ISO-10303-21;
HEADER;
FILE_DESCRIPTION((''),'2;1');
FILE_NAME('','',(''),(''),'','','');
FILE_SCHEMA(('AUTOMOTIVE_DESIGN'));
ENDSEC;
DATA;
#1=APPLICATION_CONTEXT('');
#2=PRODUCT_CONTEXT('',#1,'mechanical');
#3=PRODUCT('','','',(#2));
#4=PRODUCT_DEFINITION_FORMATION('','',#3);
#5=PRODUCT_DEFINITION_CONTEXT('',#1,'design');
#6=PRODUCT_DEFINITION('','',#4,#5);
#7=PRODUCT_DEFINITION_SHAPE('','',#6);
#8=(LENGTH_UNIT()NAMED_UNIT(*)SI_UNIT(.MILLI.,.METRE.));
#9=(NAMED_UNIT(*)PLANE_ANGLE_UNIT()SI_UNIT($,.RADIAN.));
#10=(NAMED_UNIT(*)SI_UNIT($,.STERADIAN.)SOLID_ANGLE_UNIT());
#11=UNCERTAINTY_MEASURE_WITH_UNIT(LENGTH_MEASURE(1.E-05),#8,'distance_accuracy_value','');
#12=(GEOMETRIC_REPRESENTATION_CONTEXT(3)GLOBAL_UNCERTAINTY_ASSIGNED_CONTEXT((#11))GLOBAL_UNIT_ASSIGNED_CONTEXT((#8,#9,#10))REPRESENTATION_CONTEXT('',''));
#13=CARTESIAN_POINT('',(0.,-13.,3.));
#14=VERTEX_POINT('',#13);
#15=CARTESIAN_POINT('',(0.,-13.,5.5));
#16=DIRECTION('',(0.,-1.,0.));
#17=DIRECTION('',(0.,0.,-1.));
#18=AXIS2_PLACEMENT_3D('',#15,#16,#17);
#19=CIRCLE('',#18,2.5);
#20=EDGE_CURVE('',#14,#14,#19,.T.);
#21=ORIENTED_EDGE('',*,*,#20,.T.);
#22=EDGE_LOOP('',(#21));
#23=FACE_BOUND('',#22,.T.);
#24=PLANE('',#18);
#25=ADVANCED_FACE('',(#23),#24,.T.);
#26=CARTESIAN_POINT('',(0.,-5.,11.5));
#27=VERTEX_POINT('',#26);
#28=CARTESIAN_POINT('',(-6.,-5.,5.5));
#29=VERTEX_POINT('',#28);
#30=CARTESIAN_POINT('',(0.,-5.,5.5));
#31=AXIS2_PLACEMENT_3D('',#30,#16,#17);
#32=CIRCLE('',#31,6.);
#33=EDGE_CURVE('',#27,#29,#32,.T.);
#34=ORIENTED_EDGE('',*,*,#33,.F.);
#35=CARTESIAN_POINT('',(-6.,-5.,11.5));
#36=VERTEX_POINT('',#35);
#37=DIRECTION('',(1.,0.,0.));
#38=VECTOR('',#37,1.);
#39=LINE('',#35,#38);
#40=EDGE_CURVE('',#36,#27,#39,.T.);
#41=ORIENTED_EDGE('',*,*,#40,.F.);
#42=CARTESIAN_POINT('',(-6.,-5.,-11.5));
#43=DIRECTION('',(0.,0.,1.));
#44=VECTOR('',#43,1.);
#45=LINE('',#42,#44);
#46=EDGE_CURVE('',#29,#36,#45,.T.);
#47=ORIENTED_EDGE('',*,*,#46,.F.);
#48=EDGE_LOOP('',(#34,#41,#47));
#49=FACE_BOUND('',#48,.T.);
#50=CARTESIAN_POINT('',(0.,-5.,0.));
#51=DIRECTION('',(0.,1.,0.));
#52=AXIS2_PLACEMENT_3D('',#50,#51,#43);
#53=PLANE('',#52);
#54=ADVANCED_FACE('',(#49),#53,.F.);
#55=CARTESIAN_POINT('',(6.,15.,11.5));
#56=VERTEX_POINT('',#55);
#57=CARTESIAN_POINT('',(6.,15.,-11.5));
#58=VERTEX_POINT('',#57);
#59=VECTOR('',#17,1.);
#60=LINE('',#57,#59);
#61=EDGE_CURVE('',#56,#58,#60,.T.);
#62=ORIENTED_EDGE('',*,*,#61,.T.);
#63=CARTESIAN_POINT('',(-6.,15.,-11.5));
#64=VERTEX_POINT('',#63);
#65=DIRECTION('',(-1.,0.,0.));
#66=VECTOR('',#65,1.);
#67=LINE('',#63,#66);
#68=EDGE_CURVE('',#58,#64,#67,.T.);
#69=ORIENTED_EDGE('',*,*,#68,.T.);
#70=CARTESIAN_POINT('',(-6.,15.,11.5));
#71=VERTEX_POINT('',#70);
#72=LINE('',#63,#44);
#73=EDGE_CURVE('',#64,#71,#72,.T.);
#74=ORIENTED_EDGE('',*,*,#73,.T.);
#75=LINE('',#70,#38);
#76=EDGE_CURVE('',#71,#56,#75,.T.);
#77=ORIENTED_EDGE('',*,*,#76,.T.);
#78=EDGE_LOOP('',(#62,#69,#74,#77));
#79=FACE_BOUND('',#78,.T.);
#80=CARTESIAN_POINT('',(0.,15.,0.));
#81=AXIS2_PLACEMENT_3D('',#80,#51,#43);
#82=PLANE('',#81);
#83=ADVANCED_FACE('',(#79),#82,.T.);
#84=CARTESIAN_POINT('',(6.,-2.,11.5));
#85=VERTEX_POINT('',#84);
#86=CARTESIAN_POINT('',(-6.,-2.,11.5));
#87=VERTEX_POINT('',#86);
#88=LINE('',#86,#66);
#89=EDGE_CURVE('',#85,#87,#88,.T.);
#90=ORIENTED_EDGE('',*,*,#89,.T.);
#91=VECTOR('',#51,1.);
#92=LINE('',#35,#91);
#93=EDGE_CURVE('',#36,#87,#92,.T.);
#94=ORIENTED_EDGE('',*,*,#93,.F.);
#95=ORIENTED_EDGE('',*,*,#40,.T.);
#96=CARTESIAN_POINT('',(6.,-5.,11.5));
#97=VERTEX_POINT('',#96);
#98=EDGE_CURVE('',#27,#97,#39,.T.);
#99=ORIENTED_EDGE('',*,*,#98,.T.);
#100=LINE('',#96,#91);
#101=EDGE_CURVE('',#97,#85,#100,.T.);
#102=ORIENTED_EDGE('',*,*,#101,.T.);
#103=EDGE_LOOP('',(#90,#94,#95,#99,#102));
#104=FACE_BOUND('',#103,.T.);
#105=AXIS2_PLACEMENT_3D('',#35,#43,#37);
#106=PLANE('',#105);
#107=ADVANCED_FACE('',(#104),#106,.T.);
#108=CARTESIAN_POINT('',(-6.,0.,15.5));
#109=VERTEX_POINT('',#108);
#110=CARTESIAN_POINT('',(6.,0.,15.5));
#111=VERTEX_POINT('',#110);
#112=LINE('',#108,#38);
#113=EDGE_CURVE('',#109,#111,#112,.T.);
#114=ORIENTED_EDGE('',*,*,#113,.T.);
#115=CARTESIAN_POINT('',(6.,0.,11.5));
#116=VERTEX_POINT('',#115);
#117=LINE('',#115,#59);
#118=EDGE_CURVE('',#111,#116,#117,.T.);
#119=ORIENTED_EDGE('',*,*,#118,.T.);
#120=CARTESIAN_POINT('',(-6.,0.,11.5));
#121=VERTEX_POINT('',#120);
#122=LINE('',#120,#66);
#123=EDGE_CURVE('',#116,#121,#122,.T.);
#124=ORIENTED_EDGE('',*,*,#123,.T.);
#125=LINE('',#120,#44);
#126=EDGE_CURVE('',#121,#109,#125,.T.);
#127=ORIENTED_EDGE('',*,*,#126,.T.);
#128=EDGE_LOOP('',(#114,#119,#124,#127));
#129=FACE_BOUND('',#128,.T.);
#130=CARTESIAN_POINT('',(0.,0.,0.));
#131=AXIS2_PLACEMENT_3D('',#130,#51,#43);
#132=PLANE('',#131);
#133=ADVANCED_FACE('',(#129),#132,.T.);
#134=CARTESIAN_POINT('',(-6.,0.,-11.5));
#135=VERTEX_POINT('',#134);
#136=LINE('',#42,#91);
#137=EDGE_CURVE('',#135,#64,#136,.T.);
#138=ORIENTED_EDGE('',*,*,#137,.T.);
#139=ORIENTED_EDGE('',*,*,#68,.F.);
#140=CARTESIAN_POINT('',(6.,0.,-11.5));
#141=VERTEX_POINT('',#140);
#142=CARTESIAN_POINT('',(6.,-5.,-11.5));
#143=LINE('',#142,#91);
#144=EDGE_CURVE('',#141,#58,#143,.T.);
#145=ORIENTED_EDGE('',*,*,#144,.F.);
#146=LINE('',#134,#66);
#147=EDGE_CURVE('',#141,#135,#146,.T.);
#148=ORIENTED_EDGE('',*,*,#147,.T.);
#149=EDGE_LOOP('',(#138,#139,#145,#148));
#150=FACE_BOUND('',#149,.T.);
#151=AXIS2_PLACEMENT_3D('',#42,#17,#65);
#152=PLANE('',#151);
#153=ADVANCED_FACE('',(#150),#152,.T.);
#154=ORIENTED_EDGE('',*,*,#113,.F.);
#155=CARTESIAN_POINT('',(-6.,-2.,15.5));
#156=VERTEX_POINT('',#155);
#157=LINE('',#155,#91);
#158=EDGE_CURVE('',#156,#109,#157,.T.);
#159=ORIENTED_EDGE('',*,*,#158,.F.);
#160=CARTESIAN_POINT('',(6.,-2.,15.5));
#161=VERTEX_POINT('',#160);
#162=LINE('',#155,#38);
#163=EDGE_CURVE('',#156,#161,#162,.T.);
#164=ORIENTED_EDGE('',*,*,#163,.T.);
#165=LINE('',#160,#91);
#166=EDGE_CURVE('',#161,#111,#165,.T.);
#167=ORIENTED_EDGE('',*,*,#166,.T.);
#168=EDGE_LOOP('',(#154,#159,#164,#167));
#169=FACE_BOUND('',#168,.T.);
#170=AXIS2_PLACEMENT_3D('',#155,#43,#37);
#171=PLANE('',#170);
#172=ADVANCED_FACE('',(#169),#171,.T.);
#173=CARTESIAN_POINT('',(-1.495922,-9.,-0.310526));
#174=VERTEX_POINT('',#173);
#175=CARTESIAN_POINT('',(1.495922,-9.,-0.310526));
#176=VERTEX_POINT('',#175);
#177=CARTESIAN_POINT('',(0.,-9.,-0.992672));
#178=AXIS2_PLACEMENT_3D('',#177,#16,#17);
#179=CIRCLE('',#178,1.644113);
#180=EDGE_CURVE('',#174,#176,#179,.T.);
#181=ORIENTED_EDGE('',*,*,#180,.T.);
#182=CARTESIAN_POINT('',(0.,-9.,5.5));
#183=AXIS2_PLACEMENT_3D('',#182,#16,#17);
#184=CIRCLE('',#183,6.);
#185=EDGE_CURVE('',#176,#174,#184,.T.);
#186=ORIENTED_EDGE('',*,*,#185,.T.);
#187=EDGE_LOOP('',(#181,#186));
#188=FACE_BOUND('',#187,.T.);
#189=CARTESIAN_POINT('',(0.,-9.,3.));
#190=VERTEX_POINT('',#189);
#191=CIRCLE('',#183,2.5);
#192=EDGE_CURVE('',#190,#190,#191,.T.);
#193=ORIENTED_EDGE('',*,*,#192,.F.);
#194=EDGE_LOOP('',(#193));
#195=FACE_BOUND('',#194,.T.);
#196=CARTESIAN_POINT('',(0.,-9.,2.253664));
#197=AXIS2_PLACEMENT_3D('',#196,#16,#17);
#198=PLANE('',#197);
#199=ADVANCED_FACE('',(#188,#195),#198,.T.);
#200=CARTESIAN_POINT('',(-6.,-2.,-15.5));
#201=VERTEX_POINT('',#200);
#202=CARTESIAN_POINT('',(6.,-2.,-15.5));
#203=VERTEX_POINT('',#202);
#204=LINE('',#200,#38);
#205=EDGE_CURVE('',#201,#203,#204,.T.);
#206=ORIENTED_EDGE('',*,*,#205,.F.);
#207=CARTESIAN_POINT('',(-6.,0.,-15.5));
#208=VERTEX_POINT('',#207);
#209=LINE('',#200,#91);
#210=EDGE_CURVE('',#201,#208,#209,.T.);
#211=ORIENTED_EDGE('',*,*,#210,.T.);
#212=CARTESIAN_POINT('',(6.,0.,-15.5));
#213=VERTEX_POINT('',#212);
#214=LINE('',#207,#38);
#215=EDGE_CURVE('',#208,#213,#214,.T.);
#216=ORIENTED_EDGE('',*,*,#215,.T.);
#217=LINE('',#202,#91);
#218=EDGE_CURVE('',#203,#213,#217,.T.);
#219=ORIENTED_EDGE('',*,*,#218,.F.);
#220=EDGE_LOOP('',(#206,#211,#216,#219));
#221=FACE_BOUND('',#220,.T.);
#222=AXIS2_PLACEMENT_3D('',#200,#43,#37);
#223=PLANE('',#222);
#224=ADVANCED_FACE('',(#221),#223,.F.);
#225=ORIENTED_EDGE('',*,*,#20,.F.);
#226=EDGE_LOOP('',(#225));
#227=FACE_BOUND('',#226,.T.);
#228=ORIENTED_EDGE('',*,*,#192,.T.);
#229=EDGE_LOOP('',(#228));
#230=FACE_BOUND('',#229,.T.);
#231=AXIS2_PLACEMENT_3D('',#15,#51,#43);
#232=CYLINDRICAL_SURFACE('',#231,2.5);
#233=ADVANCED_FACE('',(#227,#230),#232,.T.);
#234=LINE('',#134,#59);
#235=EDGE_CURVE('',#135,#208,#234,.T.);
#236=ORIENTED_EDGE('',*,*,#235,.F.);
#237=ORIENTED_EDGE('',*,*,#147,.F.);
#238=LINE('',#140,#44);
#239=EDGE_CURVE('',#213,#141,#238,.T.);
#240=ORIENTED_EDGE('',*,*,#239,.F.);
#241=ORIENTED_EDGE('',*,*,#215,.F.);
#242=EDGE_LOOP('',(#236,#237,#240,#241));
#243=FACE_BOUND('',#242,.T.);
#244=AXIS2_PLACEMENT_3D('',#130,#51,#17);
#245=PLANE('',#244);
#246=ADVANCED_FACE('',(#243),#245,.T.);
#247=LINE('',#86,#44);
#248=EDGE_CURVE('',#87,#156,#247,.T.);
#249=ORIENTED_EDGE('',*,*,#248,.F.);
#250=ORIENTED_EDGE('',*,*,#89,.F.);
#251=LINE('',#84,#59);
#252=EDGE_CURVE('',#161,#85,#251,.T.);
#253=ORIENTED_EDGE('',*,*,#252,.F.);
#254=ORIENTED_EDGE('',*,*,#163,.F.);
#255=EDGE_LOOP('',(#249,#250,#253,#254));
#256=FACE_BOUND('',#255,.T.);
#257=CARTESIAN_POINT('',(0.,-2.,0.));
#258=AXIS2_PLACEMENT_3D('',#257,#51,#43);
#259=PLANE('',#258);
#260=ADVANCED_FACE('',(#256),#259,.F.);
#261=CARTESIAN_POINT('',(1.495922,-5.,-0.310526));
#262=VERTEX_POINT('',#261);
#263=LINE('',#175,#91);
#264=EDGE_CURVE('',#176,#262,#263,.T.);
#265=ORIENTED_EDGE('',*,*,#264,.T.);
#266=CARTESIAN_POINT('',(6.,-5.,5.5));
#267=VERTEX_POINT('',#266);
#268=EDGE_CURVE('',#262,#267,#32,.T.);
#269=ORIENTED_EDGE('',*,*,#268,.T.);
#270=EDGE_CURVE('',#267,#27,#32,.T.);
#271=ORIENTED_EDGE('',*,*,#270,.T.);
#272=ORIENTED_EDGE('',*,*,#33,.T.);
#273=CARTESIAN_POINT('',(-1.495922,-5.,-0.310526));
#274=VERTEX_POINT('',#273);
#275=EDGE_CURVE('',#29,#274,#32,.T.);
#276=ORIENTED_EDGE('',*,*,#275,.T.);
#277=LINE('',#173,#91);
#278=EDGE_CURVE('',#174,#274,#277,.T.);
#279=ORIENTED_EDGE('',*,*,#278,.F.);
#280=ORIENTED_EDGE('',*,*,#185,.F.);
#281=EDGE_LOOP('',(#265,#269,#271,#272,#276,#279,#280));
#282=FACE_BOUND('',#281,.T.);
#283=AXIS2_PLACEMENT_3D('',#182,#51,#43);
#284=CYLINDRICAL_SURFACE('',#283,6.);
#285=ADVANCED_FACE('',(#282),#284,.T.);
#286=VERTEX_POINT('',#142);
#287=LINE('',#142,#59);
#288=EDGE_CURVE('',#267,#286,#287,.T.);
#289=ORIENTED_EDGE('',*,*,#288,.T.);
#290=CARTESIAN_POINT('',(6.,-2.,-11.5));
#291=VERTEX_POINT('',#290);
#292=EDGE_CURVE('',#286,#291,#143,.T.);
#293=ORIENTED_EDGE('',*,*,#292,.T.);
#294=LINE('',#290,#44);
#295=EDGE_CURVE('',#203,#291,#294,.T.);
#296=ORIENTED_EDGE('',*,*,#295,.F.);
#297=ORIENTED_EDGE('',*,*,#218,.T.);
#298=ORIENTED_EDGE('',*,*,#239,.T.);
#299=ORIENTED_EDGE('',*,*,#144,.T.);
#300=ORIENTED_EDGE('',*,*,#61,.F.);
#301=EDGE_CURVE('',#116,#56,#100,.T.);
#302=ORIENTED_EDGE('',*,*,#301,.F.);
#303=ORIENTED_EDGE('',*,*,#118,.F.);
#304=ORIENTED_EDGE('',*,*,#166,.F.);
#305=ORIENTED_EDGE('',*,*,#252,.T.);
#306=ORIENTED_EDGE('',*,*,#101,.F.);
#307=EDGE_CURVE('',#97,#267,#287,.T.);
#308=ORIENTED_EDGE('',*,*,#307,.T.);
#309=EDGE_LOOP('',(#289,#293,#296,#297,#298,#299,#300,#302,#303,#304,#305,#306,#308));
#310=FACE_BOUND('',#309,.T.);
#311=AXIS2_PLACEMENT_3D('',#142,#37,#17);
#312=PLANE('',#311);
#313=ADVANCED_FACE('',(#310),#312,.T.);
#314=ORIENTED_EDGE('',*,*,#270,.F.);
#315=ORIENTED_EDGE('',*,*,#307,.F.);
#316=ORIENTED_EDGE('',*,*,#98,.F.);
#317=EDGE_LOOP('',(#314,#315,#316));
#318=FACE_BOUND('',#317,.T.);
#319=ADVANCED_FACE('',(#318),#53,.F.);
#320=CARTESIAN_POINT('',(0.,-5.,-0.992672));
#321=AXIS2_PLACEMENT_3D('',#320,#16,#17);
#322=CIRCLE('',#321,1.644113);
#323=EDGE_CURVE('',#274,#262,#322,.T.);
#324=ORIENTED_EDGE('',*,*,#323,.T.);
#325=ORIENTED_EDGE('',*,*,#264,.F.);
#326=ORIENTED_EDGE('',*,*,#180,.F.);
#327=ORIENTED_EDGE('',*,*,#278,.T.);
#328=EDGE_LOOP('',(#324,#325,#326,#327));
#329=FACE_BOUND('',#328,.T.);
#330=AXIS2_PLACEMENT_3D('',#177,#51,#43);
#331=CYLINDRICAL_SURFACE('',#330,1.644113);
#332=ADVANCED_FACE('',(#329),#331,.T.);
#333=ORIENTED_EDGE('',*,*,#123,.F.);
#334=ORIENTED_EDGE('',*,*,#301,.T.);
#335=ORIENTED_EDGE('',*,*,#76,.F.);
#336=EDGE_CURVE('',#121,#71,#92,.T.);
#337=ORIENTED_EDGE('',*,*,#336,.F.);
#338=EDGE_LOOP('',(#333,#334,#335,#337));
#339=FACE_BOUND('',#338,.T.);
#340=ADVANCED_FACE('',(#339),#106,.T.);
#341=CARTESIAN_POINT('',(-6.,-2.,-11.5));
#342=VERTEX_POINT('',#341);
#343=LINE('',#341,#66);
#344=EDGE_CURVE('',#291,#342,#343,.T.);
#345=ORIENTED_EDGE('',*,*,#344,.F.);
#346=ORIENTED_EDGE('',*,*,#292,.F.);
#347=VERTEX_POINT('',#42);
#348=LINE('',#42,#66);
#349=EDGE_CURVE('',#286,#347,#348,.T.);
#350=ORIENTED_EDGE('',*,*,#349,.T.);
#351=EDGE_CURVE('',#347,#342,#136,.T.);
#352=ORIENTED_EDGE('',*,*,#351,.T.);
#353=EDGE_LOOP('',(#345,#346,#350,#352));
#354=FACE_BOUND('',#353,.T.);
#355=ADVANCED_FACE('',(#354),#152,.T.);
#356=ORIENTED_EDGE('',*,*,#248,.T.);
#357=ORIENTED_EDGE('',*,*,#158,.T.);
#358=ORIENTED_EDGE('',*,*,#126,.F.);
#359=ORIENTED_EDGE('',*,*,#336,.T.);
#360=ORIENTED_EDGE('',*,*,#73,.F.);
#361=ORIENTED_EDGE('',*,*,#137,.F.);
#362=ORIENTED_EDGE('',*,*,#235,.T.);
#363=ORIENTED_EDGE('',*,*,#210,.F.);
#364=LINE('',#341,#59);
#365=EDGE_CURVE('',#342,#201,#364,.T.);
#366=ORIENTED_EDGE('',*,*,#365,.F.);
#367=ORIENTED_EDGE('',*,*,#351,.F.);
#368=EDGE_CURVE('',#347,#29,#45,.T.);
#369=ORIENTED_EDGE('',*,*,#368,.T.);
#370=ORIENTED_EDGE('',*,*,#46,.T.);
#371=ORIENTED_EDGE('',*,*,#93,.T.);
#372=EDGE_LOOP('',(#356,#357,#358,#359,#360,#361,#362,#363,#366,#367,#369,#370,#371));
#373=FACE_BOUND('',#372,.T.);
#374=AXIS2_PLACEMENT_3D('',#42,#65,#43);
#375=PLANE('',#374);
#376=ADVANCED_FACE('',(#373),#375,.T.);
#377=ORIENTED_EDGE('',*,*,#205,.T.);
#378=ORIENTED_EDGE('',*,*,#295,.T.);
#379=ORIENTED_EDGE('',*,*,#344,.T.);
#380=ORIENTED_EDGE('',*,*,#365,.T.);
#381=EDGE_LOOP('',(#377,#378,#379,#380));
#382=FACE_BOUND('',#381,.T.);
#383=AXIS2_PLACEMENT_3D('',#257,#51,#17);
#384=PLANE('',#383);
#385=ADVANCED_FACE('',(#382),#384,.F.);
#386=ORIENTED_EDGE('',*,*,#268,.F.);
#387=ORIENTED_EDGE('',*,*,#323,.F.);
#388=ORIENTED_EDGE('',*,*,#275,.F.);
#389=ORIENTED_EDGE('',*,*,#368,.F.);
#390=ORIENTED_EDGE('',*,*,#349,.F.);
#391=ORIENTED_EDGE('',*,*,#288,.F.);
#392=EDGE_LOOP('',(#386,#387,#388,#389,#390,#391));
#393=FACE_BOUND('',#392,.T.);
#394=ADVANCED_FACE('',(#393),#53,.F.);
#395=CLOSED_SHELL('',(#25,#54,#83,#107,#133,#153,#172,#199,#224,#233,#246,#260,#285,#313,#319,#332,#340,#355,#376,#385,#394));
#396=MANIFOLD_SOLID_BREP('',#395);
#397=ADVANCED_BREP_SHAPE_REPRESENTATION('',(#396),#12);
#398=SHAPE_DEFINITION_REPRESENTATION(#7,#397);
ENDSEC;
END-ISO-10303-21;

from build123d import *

# Parameters (mm, degrees)
EXTRUDE_2_DEPTH      = 15
EXTRUDE_2_DEPTH_BACK = 5
SKETCH_1_W           = 12
SKETCH_1_H           = 23
EXTRUDE_3_DEPTH      = 4
SKETCH_3_R           = 2.5
EXTRUDE_4_DEPTH      = 4
SKETCH_4_W           = 12
SKETCH_4_H           = 4
EXTRUDE_5_DEPTH      = 2


with BuildPart() as part:
    # 草图1 → 凸台-拉伸2 (new, two sides: drawn at the far end of the back side and taken through both)
    with BuildSketch(Plane(origin=(0, 0, 0), x_dir=(1, 0, 0), z_dir=(0, 1, 0)).offset(-EXTRUDE_2_DEPTH_BACK)):
        Rectangle(SKETCH_1_W, SKETCH_1_H)
    extrude(amount=EXTRUDE_2_DEPTH + EXTRUDE_2_DEPTH_BACK)

    # 草图2 → 凸台-拉伸3 (add)
    with BuildSketch(Plane.XZ.offset(5)):
        with BuildLine():
            ThreePointArc((1.495922385, -0.310526329), (0, 11.5), (-1.495922385, -0.310526329))
            ThreePointArc((-1.495922385, -0.310526329), (0, -2.636784312), (1.495922385, -0.310526329))
        make_face()
    extrude(amount=EXTRUDE_3_DEPTH)

    # 草图3 → 凸台-拉伸4 (add)
    with BuildSketch(Plane.XZ.offset(9)):
        with Locations(Location((0, 5.5, 0), (0, 0, 270))):
            Circle(SKETCH_3_R)
    extrude(amount=EXTRUDE_4_DEPTH)

    # 草图4 → 凸台-拉伸5 (add)
    with BuildSketch(Plane(origin=(0, 0, 0), x_dir=(1, 0, 0), z_dir=(0, 1, 0))):
        with Locations((0, -13.5)):
            Rectangle(SKETCH_4_W, SKETCH_4_H)
    extrude_5 = extrude(amount=-EXTRUDE_5_DEPTH)

    # 镜向1: 凸台-拉伸5 across plane
    add(extrude_5.mirror(Plane.XY))


solid = part.part
